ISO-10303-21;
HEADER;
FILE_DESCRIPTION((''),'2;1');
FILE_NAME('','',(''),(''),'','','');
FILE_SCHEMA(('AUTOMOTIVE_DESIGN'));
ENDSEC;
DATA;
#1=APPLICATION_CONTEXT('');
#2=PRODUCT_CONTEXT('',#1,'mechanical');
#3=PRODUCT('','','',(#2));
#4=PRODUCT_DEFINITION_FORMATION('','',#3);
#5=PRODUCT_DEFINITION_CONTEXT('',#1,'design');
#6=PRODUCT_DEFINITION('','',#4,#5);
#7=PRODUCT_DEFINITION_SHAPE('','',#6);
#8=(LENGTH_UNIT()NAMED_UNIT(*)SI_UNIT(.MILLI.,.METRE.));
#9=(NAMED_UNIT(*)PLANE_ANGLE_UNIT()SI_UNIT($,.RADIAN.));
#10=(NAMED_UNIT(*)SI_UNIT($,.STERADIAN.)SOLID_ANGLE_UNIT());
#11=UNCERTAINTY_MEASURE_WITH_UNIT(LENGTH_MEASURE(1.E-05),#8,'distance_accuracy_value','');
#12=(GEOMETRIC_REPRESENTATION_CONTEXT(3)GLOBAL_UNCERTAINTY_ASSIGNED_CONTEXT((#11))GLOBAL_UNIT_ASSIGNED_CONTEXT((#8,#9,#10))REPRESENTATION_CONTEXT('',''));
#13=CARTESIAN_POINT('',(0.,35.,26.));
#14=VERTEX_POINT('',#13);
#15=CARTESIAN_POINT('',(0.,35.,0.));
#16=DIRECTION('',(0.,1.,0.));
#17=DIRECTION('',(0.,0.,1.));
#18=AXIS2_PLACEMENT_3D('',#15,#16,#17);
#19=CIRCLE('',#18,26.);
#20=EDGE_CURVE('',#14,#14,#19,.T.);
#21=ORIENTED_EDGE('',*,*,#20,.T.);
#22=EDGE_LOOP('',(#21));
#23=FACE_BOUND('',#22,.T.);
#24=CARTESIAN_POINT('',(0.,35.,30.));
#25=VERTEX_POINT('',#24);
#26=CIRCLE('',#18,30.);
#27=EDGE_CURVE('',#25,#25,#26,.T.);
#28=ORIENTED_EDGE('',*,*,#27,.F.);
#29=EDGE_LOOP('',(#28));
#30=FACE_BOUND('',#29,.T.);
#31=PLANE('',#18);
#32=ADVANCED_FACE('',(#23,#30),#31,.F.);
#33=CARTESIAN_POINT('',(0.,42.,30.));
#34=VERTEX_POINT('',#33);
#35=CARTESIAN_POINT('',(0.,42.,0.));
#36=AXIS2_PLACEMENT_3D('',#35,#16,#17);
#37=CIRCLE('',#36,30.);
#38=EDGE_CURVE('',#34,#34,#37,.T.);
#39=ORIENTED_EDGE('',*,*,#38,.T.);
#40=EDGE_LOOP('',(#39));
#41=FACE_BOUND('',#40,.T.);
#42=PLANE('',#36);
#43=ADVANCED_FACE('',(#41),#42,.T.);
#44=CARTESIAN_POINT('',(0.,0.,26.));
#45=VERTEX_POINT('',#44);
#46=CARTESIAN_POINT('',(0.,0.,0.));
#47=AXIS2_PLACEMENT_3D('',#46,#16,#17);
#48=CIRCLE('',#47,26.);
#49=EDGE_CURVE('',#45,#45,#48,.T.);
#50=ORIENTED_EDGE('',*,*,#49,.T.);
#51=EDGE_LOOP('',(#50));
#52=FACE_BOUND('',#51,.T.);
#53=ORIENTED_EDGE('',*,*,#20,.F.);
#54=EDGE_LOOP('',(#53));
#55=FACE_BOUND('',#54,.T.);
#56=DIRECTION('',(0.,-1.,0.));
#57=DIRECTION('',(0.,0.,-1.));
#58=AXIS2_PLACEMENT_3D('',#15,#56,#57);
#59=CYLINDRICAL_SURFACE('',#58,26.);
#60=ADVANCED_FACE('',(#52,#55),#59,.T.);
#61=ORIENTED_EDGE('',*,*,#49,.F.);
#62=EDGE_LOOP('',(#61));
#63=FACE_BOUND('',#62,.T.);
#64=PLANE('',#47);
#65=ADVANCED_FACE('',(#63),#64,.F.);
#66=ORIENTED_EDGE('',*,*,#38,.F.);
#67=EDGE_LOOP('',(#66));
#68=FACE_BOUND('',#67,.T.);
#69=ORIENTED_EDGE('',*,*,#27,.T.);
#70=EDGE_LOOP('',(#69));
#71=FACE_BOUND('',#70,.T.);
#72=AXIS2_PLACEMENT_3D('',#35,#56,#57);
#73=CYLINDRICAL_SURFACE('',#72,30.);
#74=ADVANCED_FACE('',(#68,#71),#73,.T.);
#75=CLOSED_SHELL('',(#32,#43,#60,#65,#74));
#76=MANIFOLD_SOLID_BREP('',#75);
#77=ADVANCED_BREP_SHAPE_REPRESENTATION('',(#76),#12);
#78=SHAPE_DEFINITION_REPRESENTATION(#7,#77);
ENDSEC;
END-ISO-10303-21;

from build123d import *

# Parameters (mm, degrees)
SCHIZZO1_R                   = 26
ESTRUSIONE_ESTRUSIONE1_DEPTH = 35
SCHIZZO2_R                   = 30
ESTRUSIONE_ESTRUSIONE2_DEPTH = 7


with BuildPart() as part:
    # Schizzo1 → Estrusione-Estrusione1 (new body)
    with BuildSketch(Plane(origin=(0, 0, 0), x_dir=(1, 0, 0), z_dir=(0, 1, 0))):
        Circle(SCHIZZO1_R)
    extrude(amount=ESTRUSIONE_ESTRUSIONE1_DEPTH)

    # Schizzo2 → Estrusione-Estrusione2 (add)
    with BuildSketch(Plane(origin=(0, 35, 0), x_dir=(1, 0, 0), z_dir=(0, 1, 0))):
        Circle(SCHIZZO2_R)
    extrude(amount=ESTRUSIONE_ESTRUSIONE2_DEPTH)


solid = part.part
